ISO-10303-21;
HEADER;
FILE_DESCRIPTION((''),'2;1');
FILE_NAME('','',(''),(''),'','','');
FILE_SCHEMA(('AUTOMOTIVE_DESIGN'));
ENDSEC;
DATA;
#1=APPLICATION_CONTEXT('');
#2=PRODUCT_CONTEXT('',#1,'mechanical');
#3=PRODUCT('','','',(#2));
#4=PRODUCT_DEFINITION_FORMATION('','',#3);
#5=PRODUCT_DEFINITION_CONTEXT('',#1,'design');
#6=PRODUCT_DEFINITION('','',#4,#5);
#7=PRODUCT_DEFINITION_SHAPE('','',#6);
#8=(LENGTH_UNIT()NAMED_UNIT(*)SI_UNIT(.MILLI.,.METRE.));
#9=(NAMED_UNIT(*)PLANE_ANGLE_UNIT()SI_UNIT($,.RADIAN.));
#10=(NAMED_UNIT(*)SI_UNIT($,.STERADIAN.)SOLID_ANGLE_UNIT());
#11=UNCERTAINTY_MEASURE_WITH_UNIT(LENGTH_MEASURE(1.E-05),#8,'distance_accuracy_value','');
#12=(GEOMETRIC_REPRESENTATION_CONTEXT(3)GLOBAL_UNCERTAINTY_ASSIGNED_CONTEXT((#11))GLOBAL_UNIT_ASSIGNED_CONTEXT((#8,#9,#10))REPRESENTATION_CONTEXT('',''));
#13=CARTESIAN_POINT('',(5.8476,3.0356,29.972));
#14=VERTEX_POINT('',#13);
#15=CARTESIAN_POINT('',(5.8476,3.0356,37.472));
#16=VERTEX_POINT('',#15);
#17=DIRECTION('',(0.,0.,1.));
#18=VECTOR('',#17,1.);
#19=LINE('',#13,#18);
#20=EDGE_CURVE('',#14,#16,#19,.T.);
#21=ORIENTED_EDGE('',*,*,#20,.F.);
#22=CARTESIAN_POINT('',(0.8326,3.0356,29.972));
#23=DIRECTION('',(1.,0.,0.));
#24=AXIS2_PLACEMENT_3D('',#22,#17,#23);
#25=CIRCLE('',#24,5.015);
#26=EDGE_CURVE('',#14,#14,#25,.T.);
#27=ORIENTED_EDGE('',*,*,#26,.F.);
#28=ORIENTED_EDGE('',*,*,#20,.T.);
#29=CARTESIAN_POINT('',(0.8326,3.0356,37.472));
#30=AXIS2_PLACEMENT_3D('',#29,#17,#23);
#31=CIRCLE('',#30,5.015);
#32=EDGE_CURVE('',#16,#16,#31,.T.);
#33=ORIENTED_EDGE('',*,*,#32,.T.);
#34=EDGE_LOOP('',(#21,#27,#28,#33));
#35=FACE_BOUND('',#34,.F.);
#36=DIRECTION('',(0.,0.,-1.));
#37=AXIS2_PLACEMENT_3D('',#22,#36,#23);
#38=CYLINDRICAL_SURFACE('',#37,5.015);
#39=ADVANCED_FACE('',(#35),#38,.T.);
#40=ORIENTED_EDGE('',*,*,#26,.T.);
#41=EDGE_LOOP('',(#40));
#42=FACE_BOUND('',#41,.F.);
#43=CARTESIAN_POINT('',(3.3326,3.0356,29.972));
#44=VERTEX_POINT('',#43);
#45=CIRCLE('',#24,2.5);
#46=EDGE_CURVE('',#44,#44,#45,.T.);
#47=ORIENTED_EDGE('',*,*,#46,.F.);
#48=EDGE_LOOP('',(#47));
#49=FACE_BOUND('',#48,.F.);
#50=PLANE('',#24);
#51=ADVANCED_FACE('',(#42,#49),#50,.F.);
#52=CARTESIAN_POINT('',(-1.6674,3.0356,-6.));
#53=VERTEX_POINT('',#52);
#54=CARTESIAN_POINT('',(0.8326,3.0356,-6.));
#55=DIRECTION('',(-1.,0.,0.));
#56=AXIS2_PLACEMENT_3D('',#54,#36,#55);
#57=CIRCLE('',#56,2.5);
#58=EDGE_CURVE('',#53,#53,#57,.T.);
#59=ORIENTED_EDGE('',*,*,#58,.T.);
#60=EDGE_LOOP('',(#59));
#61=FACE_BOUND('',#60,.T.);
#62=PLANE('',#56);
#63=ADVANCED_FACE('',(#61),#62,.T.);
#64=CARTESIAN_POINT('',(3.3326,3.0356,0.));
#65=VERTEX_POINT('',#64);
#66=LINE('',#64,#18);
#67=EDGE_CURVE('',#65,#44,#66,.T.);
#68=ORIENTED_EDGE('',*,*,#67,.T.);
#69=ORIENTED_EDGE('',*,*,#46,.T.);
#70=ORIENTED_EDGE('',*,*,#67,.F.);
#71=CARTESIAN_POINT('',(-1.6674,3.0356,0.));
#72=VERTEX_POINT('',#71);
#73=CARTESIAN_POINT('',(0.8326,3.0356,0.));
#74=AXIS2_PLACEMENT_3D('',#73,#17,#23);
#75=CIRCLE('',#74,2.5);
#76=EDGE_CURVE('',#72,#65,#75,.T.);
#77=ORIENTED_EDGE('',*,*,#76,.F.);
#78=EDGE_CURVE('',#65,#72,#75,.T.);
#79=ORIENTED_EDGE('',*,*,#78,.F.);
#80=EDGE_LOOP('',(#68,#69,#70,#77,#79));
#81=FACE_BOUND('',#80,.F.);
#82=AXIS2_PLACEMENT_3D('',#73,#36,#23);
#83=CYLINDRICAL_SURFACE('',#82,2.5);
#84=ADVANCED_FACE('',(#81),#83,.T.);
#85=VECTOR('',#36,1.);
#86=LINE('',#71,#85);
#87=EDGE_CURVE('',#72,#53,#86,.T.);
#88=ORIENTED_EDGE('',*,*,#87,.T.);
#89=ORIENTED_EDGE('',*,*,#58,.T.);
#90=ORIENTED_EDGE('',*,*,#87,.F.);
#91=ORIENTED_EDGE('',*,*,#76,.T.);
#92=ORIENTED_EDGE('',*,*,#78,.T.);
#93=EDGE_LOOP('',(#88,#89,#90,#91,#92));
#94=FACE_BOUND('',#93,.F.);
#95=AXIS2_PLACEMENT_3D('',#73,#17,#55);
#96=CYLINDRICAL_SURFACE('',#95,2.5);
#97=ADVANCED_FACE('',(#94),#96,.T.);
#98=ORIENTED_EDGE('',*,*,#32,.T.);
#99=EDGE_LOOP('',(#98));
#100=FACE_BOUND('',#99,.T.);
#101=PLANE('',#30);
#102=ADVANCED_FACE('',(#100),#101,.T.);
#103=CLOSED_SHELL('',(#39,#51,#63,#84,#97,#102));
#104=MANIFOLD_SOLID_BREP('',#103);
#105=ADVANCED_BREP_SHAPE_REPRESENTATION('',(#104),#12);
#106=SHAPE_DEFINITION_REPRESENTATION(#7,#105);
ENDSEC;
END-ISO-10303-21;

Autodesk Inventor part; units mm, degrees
ref_plane "YZ Plane" through (0, 0, 0) normal (1, 0, 0) x (0, 1, 0)
ref_plane "XZ Plane" through (0, 0, 0) normal (0, 1, 0) x (-1, 0, 0)
ref_plane "XY Plane" through (0, 0, 0) normal (0, 0, 1) x (1, 0, 0)
sketch "Sketch1" plane through (0, 0, 0) normal (0, 0, 1) x (1, 0, 0)
  circle A0 centre (0.8326, 3.0356) radius 2.5
  point P0 (0, 0)
  dimension "d0" = 5
extrude "Extrusion1" add sketch "Sketch1" along normal blind 29.972
sketch "Sketch2" plane through (0.8326, 3.0356, 29.972) normal (0, 0, 1) x (1, 0, 0)
  circle A0 centre (0, 0) radius 2.5 projected
  circle A1 centre (0, 0) radius 5.015
  point P0 (-0.8326, -3.0356)
extrude "Extrusion2" add sketch "Sketch2" along normal blind 7.5 contours A0 | A1
sketch "Sketch3" plane through (0.8326, 3.0356, 0) normal (0, 0, -1) x (-1, 0, 0)
  circle A0 centre (0, 0) radius 5.015 projected
  circle A1 centre (0, 0) radius 2.5 projected
  circle A2 centre (0, 0) radius 2.5 projected
  point P0 (0.8326, -3.0356)
extrude "Extrusion3" add sketch "Sketch3" along normal blind 6 contours A1
properties part number "5mm_bolt" material "Steel, Alloy"
